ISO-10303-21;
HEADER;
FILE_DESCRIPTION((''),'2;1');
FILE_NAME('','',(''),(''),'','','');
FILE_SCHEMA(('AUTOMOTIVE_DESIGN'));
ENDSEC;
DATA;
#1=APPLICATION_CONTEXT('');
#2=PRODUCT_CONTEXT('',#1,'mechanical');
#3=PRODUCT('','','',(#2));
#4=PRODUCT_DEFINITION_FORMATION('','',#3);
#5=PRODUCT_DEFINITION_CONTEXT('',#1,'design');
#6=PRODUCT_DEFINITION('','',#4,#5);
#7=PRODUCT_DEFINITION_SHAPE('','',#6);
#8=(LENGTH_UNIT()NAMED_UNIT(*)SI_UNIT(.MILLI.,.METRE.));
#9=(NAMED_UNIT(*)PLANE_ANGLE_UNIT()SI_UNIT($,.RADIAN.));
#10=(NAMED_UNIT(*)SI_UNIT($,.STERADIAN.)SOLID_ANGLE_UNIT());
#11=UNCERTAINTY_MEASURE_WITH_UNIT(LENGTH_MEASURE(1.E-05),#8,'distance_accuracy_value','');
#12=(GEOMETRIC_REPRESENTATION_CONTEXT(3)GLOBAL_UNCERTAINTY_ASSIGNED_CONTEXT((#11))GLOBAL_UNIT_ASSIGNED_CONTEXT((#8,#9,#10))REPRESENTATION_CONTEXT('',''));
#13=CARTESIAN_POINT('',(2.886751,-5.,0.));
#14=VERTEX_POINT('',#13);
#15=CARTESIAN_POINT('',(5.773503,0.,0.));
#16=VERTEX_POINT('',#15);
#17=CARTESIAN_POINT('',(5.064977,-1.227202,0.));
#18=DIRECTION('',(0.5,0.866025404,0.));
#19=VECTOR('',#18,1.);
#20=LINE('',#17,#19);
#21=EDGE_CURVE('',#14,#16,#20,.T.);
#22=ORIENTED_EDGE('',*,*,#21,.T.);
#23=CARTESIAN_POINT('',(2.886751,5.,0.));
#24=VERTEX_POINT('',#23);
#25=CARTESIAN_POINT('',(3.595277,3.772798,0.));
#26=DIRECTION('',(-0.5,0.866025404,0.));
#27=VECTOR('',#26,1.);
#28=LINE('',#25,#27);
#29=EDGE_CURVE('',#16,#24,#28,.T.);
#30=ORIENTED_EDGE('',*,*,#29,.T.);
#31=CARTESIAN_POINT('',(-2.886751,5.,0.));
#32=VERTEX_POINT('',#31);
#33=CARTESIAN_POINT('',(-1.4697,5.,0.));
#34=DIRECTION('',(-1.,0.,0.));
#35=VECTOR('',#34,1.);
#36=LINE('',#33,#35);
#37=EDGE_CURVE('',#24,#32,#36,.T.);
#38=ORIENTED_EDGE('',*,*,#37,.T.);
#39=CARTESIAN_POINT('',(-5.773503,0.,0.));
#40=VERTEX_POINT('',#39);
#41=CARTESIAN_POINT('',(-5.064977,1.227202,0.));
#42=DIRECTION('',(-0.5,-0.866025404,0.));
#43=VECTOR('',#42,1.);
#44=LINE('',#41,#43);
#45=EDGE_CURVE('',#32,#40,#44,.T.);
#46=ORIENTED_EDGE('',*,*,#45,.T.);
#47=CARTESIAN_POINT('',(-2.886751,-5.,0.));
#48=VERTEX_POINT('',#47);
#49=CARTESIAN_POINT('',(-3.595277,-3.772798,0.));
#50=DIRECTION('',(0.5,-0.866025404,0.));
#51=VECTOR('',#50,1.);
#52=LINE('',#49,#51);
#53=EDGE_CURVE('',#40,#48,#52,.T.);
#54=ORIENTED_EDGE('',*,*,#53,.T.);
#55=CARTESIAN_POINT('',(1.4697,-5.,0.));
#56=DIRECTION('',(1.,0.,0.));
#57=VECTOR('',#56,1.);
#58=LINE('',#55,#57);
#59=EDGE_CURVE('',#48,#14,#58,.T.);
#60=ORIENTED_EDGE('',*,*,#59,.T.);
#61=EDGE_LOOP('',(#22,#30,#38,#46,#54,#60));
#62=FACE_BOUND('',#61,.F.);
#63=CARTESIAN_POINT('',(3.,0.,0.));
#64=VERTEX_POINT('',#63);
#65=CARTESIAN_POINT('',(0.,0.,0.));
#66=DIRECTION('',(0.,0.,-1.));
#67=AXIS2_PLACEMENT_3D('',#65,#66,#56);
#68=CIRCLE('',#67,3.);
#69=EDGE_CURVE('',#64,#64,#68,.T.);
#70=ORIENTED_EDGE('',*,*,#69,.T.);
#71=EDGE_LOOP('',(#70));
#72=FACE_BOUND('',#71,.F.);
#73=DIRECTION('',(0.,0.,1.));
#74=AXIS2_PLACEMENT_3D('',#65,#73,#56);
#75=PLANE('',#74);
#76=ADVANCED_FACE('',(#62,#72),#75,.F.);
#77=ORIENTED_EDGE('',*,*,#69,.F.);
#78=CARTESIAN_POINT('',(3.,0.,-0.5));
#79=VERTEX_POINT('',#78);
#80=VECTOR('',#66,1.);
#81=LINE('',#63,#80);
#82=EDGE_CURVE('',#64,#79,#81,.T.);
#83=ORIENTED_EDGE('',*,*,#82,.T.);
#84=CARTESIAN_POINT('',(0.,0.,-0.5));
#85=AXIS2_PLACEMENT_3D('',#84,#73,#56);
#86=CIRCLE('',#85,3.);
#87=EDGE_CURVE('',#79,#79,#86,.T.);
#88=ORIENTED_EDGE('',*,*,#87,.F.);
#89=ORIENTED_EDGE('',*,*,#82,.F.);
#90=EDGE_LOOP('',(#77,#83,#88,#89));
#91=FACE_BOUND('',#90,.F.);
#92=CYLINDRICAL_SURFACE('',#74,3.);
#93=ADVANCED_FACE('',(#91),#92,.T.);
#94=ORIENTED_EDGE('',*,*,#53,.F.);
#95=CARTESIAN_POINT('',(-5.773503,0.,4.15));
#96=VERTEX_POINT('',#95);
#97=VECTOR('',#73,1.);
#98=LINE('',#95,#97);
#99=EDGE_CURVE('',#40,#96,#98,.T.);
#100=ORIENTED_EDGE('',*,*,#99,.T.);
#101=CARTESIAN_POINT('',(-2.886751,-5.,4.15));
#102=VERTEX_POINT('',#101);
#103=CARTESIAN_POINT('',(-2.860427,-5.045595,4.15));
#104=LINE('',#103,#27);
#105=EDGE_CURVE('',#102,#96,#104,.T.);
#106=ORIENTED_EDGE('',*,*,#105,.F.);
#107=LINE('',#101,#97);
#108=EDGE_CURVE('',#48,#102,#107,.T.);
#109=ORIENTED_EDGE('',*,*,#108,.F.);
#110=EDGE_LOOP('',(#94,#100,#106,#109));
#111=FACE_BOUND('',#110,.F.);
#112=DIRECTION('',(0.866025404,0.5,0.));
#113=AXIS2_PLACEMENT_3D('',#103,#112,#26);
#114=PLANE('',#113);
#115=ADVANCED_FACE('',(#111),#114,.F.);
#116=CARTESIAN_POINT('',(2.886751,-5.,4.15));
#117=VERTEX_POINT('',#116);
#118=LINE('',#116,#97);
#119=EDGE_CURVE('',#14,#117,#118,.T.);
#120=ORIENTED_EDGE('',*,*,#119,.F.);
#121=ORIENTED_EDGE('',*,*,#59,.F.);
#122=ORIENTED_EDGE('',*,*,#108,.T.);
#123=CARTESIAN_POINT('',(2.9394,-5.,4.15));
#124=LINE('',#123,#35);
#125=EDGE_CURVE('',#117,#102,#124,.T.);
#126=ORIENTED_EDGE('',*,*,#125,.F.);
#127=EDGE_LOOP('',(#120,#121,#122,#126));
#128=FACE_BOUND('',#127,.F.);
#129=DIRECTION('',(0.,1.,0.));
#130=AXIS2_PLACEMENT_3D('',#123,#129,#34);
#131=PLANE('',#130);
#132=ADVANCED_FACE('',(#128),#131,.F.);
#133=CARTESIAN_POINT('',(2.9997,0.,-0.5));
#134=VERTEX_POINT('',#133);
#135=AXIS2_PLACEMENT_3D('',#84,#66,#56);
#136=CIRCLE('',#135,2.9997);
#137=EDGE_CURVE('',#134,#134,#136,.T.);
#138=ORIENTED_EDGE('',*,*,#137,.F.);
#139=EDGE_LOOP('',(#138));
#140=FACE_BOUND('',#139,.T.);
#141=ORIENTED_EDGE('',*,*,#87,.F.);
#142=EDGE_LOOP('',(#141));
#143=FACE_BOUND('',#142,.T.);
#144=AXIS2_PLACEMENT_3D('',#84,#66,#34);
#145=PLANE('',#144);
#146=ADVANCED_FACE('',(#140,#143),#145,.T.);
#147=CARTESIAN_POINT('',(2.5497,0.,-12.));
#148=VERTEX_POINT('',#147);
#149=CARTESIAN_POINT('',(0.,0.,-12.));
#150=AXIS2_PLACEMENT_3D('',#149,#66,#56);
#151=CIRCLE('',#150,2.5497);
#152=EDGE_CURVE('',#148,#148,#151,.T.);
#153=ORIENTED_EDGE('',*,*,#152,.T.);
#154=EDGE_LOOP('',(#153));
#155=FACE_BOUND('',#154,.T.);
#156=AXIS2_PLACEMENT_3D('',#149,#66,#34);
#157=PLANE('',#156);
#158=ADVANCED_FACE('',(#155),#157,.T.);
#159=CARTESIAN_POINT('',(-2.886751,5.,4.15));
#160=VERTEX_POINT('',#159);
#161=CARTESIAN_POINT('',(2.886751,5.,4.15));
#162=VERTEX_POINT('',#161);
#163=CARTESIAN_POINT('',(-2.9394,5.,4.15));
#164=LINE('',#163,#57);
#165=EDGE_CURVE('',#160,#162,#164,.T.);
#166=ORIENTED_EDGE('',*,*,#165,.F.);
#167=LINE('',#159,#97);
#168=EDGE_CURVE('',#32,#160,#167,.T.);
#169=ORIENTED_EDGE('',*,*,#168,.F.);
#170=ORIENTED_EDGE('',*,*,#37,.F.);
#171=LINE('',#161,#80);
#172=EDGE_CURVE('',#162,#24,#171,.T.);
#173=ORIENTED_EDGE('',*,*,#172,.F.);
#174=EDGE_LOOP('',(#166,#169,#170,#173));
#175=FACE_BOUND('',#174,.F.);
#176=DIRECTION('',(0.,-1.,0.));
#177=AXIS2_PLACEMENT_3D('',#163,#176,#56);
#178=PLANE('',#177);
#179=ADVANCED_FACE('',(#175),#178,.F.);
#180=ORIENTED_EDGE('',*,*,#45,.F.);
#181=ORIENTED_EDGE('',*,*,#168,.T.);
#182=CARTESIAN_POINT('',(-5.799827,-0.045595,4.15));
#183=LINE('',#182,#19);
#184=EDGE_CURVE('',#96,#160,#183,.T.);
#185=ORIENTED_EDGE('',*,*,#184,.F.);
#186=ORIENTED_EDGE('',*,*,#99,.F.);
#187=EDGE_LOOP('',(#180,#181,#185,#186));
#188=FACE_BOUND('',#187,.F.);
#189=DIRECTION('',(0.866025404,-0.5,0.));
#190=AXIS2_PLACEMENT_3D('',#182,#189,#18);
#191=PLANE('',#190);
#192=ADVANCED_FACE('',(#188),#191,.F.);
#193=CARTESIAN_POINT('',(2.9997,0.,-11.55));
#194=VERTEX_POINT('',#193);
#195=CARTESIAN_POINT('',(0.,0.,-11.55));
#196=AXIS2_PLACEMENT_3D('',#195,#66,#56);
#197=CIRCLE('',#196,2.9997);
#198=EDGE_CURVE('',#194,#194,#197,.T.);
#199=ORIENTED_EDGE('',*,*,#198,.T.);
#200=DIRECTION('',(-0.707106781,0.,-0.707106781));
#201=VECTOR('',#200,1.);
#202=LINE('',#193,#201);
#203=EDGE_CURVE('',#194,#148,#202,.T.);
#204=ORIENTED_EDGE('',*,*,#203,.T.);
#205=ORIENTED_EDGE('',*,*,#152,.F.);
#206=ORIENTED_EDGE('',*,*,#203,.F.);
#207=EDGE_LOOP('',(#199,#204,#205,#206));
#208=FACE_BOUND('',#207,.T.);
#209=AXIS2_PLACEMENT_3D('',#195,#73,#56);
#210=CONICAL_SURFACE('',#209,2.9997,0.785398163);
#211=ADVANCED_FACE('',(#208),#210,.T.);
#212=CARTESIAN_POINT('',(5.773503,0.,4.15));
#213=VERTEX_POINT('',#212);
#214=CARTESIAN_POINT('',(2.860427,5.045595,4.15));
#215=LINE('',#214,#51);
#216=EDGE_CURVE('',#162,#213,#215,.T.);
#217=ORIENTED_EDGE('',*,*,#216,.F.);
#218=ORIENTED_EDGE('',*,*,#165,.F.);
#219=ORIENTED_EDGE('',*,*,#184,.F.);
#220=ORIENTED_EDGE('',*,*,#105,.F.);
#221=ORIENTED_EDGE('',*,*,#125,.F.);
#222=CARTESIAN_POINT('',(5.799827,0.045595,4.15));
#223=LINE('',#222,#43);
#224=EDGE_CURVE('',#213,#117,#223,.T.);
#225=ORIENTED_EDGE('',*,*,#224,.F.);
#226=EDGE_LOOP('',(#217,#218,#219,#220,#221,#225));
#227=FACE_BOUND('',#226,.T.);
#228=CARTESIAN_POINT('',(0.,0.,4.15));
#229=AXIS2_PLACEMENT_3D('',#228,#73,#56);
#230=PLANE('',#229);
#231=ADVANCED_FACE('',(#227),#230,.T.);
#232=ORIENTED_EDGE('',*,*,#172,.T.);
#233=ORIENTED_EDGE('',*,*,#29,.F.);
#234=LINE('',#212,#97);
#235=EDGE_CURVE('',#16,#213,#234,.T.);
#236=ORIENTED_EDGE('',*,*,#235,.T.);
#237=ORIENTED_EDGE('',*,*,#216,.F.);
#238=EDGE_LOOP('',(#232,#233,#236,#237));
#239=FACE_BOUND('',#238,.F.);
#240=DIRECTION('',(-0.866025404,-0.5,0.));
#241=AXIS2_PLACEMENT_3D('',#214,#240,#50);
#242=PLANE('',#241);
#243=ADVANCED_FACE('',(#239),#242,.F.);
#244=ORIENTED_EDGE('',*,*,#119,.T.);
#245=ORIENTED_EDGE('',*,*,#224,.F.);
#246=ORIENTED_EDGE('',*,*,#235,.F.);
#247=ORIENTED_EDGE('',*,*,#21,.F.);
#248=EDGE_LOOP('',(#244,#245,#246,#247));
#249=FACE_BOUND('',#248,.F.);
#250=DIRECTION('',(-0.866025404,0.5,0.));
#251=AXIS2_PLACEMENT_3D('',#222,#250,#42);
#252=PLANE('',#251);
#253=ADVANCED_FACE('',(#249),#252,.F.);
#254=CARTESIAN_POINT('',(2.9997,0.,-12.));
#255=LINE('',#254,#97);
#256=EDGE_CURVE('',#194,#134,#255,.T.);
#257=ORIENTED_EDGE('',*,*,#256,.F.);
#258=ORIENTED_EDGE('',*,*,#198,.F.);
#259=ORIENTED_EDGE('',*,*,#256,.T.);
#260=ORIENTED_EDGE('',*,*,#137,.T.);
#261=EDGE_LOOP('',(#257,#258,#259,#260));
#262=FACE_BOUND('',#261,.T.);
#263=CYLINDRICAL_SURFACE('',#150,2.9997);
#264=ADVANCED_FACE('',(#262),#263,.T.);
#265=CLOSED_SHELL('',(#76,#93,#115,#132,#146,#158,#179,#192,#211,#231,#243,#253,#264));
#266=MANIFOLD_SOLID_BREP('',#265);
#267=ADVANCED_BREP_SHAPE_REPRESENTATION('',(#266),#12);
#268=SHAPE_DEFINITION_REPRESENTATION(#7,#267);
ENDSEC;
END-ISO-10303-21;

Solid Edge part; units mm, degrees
sketch "Sketch1" plane through (0, 0, 0) normal (0, 0, 1) x (1, 0, 0)
  circle A0 centre (0, 0) radius 5.8
  dimension "D1" = 11.6
extrude "Protrusion1" add sketch "Sketch1" along normal blind 4.15
sketch "Sketch2" plane through (0, 0, 0) normal (0, 0, -1) x (1, 0, 0)
  circle A0 centre (0, 0) radius 3
extrude "Protrusion2" add sketch "Sketch2" along normal blind 12
sketch "Sketch3" plane through (0, 0, -12) normal (0, 0, -1) x (1, 0, 0)
  circle A0 centre (0, 0) radius 2.9997
extrude "Cutout1" cut sketch "Sketch3" against normal blind 11.5 flip side to cut
chamfer "Chamfer_1" distance 0.45 angle 45 1 edges at (-2.9997, 0, -12)
sketch "Sketch4" plane through (0, 0, 4.15) normal (0, 0, 1) x (1, 0, 0)
  line L0 (-2.9394, 5) -> (2.9394, 5)
  dimension "D1" = 10
extrude "Cutout2" cut sketch "Sketch4" against normal up to next material side at (0, 5.05, 4.15)
pattern_circular "Pattern1" count 6 over 360 about axis through (0, 0, 4.15) along (0, 0, 1) of "Cutout2"
properties part number "118623"
